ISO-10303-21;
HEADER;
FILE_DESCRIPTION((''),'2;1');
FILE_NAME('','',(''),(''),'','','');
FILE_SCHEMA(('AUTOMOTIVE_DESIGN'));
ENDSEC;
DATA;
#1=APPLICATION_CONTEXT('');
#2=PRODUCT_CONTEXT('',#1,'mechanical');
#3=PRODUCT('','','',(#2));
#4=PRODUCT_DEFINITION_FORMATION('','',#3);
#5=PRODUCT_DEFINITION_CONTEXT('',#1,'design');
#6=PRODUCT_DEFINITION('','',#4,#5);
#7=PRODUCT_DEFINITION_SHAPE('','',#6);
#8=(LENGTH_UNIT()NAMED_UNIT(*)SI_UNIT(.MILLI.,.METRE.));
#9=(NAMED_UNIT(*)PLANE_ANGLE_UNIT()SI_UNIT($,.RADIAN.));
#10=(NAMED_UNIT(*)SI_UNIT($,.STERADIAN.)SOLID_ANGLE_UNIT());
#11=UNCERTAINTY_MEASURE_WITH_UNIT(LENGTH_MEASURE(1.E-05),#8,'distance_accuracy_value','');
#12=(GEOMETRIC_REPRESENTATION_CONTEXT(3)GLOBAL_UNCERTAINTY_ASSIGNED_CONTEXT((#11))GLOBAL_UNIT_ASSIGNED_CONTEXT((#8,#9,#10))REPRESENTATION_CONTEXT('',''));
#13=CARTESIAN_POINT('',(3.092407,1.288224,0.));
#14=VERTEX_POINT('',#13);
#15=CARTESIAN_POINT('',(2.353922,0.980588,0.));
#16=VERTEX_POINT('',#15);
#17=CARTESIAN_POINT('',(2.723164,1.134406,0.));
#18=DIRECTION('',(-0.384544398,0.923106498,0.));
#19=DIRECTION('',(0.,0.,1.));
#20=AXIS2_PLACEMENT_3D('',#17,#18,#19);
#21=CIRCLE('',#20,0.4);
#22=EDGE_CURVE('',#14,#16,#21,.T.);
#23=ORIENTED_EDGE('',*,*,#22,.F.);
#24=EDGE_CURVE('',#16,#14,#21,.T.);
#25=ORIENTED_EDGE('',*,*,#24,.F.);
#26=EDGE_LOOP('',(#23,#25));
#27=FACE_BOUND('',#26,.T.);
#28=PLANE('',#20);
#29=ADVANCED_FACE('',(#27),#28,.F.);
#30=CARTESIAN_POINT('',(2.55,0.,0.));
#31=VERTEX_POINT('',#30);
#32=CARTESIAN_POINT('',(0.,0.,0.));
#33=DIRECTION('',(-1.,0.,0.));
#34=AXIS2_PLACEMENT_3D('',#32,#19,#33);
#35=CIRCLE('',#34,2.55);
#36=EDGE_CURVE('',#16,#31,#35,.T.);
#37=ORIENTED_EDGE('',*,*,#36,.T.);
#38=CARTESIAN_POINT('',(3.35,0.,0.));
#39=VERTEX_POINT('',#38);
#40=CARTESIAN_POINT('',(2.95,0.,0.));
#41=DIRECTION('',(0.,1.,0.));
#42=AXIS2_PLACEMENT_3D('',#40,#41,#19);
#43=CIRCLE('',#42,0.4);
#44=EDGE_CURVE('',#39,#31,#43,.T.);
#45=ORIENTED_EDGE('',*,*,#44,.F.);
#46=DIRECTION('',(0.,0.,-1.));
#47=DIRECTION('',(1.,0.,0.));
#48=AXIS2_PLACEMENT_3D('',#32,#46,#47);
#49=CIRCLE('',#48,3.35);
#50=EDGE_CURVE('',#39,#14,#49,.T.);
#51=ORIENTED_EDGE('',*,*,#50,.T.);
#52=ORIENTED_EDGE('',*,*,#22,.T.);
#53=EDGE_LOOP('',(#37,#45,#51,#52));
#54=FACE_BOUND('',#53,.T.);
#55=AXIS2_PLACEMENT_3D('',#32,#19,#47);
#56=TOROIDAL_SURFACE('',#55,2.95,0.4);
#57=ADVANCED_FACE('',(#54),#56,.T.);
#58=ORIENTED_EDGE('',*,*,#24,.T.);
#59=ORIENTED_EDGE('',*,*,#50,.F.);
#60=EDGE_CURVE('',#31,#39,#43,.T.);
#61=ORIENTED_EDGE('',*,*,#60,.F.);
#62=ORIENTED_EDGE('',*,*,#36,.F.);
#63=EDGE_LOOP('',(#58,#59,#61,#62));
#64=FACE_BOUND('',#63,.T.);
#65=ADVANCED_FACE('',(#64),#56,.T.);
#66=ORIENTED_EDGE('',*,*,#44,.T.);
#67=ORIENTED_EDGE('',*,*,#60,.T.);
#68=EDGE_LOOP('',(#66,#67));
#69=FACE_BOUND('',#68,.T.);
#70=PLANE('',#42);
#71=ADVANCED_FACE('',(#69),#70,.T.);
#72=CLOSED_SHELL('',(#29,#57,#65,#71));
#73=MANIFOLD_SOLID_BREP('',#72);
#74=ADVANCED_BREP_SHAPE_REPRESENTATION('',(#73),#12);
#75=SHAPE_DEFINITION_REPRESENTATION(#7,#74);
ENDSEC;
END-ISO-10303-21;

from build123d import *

# Parameters (mm, degrees)
SKETCH2_R = 0.4


with BuildPart() as part:
    # Sweep1: sweep along a path in Sketch1
    with BuildLine(Plane.XY) as sweep1_path:
        ThreePointArc((2.353921569, 0.980588216), (-2.50049995, -0.5), (2.55, 0))
    # Sketch2 → Sweep1 (sweep)
    with BuildSketch(Plane(origin=(0, 0, 0), x_dir=(1, 0, 0), z_dir=(0, 1, 0))):
        with Locations((2.95, 0)):
            Circle(SKETCH2_R)
    sweep(path=sweep1_path.line)


solid = part.part
